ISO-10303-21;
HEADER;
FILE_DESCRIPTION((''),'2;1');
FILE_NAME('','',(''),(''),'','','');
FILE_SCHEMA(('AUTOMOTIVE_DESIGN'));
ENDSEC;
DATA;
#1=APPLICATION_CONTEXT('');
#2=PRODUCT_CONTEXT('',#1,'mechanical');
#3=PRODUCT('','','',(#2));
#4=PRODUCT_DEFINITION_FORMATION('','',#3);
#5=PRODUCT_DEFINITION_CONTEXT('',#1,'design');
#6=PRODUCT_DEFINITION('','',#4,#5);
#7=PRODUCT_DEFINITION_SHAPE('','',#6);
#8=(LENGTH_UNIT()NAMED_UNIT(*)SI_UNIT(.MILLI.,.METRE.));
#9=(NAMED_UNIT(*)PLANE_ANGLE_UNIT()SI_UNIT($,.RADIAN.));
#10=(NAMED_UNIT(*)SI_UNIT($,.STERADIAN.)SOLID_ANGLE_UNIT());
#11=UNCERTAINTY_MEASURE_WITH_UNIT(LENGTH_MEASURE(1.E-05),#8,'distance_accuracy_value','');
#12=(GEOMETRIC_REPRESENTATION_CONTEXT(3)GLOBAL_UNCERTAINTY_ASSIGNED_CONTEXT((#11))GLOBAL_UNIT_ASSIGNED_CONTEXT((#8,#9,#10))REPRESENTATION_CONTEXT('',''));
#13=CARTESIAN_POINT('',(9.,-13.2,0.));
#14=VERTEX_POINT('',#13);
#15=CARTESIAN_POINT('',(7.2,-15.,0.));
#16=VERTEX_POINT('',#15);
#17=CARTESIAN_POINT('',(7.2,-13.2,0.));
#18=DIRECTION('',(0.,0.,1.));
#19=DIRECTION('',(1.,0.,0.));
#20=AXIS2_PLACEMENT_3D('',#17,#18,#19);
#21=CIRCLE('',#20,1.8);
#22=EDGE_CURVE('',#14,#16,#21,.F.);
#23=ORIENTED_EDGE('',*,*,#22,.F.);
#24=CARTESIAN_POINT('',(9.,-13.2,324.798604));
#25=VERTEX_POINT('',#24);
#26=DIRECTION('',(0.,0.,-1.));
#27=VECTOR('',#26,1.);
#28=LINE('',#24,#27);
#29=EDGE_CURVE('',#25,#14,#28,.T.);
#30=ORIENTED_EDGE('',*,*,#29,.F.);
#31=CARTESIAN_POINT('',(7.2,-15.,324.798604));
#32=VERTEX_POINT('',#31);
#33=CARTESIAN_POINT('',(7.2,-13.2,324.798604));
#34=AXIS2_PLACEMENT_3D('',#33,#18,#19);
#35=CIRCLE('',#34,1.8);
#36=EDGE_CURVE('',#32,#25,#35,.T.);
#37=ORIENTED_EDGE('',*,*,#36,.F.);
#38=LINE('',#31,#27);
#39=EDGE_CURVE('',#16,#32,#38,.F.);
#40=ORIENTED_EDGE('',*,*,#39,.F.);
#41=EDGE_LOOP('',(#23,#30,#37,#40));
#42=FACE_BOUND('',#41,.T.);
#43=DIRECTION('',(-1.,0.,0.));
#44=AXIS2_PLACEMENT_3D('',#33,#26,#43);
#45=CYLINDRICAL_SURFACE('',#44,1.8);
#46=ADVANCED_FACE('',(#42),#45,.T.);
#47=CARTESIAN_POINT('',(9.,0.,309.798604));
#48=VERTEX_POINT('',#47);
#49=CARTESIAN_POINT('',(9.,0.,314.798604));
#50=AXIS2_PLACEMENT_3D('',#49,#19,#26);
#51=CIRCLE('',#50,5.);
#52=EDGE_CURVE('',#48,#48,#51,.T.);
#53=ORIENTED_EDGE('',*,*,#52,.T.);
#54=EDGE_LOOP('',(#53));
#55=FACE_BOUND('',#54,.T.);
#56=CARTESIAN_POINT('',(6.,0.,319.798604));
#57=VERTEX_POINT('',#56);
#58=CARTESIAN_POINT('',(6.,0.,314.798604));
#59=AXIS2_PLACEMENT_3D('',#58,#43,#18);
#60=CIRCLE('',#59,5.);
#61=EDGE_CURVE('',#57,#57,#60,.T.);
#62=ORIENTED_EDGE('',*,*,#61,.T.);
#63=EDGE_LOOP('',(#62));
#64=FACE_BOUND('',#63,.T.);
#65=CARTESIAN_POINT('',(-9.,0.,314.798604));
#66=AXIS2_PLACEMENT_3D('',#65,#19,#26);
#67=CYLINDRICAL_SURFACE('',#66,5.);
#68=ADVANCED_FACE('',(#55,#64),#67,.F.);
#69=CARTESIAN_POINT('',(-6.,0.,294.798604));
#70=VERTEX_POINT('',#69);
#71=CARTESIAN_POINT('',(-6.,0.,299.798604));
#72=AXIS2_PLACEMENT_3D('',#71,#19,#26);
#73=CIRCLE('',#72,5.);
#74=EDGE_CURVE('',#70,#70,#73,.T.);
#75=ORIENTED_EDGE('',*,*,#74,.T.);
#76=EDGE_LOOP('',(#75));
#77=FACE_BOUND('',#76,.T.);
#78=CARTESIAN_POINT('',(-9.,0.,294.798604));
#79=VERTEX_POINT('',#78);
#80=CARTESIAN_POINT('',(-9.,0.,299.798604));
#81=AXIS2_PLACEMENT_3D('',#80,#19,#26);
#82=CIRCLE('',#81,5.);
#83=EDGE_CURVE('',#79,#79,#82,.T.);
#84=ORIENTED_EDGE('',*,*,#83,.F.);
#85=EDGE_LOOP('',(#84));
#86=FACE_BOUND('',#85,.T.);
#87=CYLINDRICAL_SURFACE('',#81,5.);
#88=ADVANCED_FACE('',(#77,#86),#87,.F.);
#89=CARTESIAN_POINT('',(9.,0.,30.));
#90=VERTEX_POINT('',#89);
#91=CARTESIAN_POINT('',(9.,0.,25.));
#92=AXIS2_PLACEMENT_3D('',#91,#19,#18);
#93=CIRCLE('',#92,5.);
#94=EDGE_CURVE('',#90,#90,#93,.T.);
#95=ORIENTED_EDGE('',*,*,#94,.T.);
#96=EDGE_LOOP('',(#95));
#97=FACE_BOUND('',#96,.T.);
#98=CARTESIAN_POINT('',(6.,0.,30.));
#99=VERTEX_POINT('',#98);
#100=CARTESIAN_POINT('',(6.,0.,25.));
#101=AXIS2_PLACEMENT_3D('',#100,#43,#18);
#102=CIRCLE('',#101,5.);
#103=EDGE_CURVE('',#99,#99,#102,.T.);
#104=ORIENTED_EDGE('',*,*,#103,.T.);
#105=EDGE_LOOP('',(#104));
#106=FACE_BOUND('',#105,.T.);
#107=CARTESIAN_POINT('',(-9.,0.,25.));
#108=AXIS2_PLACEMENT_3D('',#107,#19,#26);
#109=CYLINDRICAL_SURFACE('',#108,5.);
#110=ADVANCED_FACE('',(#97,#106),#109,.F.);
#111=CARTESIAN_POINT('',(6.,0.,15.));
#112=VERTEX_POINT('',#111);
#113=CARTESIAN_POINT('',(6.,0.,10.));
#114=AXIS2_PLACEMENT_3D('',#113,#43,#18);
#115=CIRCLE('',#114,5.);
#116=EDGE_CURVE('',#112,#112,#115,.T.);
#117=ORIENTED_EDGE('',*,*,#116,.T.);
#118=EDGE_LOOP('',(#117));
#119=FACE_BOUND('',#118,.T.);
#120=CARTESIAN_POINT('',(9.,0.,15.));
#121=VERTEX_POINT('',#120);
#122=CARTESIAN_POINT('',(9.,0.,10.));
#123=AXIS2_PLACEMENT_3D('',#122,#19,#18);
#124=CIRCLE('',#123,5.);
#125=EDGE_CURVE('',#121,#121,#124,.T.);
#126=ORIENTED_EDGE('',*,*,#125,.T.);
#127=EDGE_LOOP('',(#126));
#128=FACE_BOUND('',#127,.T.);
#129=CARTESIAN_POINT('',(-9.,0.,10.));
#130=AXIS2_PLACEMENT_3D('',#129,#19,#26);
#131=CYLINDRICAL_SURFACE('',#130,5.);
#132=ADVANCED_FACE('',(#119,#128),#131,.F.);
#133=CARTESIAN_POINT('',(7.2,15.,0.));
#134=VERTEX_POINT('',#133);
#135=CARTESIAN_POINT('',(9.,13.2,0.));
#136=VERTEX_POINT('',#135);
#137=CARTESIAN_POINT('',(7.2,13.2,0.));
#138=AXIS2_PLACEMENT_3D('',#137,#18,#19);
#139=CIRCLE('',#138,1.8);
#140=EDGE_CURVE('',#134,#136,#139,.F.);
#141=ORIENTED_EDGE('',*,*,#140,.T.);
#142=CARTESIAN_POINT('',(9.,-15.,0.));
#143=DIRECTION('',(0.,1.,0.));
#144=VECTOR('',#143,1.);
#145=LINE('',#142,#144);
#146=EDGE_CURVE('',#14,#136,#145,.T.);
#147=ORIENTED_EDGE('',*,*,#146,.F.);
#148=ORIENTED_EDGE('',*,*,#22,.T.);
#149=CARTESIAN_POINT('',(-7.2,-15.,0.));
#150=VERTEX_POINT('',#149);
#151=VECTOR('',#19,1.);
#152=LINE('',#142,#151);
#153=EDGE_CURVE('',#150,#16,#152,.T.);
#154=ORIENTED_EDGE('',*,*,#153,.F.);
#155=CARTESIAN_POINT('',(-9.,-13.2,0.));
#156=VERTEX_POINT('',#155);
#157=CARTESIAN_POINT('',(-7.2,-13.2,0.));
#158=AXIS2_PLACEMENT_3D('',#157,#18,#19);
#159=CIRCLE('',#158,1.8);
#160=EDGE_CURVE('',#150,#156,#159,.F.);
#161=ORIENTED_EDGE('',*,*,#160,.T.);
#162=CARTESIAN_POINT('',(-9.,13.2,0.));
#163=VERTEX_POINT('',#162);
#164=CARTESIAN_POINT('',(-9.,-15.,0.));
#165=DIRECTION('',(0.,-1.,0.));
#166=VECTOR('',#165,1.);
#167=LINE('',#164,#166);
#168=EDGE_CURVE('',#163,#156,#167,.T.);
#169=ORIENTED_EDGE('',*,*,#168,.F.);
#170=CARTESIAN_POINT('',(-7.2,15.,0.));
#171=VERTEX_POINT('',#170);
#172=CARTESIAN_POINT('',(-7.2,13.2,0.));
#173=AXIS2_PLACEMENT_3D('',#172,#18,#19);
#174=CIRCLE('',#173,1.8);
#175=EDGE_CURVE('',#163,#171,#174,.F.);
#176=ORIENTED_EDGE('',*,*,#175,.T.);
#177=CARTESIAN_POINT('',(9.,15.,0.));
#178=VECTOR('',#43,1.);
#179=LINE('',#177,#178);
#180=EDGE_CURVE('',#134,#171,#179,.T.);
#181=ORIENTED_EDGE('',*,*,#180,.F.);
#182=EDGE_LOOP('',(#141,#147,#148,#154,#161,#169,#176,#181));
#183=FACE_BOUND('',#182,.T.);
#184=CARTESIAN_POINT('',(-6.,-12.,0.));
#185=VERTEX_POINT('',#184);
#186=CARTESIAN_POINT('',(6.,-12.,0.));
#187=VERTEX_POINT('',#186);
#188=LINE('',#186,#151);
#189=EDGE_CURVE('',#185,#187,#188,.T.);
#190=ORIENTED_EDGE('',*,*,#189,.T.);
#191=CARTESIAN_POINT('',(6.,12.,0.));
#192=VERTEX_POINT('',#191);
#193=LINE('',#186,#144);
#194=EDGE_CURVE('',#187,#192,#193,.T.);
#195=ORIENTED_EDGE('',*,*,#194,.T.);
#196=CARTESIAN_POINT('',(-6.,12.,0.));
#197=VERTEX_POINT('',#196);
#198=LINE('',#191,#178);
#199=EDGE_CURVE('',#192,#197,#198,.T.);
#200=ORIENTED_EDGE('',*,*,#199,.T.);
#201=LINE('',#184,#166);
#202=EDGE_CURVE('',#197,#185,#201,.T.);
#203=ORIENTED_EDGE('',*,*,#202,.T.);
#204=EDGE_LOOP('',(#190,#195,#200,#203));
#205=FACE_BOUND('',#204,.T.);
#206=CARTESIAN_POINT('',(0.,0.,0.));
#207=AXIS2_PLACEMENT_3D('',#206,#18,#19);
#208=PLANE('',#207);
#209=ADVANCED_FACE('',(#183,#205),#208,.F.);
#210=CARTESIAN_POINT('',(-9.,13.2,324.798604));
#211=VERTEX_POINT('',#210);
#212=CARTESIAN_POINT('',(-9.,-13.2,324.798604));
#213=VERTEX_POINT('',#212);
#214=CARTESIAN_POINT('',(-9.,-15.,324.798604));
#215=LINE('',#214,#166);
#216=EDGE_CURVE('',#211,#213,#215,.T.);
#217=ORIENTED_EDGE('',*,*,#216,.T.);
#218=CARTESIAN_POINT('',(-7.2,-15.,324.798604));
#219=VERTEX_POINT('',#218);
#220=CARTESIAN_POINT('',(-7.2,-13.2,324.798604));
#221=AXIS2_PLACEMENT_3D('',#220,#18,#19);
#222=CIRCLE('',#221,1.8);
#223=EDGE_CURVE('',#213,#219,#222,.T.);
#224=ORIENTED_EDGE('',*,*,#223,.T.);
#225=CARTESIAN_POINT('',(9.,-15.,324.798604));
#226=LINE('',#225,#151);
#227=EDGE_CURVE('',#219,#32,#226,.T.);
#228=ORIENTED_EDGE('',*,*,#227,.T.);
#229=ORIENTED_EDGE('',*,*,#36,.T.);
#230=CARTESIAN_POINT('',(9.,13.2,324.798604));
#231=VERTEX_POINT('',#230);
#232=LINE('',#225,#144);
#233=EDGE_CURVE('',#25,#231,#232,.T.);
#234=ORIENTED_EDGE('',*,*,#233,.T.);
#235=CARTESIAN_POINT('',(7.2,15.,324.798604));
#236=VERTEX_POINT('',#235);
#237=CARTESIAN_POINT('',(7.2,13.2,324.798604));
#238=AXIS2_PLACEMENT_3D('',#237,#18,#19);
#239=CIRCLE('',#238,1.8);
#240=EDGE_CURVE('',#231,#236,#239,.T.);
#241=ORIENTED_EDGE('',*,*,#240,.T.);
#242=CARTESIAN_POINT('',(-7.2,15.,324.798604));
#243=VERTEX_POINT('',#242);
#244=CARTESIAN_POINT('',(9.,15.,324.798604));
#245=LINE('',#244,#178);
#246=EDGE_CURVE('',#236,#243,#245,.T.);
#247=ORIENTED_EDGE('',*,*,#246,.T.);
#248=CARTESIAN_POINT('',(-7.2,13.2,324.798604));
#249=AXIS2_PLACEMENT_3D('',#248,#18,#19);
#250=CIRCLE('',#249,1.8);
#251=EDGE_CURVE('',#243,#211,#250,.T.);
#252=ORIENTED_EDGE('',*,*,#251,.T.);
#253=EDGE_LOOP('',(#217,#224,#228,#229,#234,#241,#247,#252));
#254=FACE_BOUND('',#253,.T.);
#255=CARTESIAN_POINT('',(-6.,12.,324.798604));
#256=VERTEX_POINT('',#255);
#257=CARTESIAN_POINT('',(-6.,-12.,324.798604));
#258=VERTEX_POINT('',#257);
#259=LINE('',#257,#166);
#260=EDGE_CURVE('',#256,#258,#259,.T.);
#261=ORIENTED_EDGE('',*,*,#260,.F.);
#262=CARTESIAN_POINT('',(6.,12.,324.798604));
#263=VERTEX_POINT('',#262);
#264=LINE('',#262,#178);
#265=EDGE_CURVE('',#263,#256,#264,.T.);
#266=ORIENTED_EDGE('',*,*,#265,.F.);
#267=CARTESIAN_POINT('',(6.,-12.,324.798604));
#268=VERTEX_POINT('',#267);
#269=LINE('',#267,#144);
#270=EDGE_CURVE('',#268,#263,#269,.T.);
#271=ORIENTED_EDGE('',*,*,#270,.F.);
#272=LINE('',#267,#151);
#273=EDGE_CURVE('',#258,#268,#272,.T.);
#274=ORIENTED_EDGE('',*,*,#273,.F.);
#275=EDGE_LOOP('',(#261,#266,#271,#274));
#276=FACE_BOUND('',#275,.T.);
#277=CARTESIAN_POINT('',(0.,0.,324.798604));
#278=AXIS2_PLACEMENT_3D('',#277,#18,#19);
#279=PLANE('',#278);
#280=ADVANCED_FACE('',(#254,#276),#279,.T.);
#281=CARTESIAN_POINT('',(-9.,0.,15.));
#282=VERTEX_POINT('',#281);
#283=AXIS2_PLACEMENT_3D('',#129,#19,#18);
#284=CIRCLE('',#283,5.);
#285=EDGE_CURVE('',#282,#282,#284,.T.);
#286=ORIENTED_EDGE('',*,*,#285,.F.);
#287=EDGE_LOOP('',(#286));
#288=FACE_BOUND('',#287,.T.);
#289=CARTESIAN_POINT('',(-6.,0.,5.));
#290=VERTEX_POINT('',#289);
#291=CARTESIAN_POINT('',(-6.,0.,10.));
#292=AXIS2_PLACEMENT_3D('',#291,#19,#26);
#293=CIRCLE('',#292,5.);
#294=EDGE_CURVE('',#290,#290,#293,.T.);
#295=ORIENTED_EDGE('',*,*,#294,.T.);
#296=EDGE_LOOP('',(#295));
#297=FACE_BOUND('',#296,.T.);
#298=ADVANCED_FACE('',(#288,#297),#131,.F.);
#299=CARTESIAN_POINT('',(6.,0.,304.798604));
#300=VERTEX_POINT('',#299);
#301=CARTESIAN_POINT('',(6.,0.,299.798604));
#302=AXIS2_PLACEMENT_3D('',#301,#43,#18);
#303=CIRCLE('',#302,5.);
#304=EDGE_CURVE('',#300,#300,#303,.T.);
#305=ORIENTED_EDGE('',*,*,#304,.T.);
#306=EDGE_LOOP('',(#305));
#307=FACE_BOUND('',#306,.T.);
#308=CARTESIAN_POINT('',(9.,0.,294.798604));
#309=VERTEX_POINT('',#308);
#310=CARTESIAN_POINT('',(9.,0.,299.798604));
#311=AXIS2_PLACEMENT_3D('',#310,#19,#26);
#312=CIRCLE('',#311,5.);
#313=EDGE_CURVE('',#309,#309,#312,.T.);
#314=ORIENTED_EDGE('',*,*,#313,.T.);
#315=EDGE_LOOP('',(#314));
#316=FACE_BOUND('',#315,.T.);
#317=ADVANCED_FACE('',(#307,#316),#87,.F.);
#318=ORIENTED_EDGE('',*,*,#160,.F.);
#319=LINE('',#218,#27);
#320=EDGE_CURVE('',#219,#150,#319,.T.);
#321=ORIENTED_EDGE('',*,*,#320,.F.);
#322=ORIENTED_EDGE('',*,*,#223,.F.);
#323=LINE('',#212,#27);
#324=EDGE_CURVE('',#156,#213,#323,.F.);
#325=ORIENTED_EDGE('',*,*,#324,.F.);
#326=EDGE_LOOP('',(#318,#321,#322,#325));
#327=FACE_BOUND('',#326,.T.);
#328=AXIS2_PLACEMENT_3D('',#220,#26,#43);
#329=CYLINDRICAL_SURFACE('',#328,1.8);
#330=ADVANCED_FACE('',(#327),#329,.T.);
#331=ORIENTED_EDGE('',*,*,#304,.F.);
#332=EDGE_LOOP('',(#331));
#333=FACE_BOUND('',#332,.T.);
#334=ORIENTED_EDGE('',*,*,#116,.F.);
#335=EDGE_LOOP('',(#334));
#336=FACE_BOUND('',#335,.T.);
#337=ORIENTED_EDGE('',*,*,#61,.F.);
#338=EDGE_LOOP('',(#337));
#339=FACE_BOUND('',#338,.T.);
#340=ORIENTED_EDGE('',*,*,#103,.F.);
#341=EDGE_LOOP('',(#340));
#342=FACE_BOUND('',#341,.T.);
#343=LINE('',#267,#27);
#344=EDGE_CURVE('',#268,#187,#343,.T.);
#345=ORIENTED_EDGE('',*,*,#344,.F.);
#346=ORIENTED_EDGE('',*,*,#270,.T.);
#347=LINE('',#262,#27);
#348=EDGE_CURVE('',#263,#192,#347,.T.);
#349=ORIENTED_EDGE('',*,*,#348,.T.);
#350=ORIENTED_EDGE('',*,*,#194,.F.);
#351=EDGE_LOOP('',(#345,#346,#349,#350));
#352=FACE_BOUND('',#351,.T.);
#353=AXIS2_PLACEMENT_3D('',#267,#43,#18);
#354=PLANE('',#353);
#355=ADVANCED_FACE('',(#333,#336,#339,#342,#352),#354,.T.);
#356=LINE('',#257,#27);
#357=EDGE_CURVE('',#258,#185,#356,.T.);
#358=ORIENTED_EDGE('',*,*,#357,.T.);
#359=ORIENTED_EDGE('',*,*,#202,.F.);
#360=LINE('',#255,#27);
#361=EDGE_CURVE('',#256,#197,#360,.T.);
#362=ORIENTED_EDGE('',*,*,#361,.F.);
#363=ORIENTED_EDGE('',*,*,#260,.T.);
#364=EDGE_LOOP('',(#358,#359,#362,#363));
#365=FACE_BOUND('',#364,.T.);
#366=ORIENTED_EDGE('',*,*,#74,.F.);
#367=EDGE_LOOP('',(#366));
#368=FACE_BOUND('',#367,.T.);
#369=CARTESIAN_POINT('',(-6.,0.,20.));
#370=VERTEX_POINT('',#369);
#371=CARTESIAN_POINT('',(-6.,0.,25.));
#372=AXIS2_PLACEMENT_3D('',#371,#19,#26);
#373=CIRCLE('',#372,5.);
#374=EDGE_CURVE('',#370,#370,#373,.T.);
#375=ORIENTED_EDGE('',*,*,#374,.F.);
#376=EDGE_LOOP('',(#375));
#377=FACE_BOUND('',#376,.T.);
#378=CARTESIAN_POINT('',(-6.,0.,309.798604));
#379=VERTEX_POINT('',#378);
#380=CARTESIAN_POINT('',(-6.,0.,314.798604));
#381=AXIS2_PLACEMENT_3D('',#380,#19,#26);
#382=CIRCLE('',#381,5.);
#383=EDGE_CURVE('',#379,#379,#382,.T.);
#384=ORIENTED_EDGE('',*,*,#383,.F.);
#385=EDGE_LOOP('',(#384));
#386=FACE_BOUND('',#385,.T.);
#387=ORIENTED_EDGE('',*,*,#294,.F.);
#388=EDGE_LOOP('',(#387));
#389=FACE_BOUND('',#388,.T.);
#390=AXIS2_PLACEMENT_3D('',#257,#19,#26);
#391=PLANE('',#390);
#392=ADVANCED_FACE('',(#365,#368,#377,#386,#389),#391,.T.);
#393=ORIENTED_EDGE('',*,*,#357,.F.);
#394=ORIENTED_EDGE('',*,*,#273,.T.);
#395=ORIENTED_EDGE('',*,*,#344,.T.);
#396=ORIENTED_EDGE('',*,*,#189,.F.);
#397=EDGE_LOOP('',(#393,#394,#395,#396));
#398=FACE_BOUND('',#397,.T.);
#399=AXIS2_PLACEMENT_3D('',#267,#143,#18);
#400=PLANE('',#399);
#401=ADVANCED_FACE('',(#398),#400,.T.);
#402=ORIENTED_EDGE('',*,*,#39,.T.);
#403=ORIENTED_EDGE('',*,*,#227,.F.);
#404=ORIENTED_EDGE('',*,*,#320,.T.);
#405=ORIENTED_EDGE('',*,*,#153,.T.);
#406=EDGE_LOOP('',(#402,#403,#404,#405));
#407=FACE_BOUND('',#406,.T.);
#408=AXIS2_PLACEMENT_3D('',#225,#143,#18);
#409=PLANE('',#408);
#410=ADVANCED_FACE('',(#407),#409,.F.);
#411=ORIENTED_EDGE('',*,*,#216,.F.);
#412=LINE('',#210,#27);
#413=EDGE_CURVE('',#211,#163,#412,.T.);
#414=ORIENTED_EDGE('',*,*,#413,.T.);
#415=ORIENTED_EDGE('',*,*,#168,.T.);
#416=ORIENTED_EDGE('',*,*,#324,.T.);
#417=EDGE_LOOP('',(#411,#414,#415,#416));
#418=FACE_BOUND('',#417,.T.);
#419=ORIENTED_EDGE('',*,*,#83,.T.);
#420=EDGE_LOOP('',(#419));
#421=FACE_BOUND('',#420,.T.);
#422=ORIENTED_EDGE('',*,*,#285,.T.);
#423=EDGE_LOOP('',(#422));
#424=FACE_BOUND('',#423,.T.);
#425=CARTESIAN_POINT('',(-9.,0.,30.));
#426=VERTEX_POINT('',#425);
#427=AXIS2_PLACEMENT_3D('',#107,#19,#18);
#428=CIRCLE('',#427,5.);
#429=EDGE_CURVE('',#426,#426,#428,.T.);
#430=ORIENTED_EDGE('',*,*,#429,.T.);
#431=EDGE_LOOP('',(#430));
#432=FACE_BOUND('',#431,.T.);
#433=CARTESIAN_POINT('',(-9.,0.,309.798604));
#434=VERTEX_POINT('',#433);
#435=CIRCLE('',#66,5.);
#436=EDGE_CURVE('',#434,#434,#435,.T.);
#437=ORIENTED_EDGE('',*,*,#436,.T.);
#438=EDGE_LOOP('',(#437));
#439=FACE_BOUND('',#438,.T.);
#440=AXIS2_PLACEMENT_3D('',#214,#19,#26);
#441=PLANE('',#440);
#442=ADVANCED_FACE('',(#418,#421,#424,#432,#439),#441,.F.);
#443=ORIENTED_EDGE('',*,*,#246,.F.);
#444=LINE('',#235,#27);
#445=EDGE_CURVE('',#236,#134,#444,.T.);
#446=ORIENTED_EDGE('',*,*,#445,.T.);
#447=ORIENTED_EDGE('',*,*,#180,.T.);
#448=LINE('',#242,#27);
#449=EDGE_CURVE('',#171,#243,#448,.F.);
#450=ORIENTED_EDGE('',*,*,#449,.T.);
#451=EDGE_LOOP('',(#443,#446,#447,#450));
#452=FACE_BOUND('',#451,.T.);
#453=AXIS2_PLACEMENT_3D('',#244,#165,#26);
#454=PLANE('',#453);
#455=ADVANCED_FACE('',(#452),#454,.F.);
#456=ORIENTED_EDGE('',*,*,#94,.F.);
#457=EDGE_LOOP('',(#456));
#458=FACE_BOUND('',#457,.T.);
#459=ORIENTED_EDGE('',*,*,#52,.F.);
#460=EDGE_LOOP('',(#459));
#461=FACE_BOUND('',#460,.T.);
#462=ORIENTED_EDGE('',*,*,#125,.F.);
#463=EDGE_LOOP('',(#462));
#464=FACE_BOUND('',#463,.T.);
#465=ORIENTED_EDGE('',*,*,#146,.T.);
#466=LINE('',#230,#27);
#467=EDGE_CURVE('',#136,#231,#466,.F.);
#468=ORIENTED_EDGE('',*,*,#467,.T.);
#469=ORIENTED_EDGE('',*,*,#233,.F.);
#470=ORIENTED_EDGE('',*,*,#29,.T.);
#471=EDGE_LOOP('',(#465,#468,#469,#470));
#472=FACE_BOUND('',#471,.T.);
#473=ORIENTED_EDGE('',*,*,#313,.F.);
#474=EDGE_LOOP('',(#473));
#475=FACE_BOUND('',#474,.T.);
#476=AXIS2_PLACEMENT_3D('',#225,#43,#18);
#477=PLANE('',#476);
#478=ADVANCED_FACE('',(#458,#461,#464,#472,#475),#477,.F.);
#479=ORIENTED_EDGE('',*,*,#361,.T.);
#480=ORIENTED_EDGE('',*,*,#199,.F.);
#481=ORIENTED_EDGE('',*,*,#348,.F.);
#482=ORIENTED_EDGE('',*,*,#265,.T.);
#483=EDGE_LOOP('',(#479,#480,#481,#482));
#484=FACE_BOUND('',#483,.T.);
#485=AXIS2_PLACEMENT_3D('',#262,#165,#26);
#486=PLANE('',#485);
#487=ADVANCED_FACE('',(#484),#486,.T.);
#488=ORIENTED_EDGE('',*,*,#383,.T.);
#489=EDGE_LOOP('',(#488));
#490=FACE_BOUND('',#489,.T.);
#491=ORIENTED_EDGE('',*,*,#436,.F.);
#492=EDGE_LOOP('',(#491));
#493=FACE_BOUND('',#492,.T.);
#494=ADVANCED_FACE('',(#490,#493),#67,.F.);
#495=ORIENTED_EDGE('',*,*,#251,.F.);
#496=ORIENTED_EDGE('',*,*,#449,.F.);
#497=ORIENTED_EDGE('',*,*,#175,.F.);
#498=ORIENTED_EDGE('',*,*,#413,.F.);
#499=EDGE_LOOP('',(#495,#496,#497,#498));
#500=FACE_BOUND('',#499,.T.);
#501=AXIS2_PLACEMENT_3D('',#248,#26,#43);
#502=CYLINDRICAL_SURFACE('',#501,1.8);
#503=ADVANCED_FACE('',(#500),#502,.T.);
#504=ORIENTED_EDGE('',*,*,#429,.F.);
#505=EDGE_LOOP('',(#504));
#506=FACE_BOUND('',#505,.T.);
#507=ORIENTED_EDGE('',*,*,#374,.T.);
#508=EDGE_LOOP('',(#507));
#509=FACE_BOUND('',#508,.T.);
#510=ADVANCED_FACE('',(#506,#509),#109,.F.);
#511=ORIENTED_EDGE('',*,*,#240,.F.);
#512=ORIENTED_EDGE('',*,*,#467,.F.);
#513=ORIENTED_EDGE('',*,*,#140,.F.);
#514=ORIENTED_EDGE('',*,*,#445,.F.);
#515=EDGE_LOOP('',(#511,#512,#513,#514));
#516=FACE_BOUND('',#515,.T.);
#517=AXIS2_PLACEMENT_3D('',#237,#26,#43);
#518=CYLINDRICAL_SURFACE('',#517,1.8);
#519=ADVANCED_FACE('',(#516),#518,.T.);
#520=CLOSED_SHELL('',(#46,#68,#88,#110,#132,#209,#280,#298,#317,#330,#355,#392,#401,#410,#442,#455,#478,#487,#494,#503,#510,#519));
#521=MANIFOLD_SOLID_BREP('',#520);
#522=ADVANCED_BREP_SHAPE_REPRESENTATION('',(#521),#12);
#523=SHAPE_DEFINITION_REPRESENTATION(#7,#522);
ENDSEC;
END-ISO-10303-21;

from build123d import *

# Parameters (mm, degrees)
SKETCH1_W         = 18
SKETCH1_H         = 30
SKETCH1_W_2       = 12
SKETCH1_H_2       = 24
BODY_DEPTH        = 324.79860434
SKETCH2_R         = 5
MOUNT_HOLES_DEPTH = 326.642646748
CORNER_FILLETS_R  = 1.8


with BuildPart() as part:
    # Sketch1 → Body (new body)
    with BuildSketch(Plane.XY):
        Rectangle(SKETCH1_W, SKETCH1_H)
        Rectangle(SKETCH1_W_2, SKETCH1_H_2, mode=Mode.SUBTRACT)
    extrude(amount=BODY_DEPTH)

    # Sketch2 → Mount Holes (cut, through all)
    with BuildSketch(Plane(origin=(9, 0, 0), x_dir=(0, 0, -1), z_dir=(1, 0, 0))):
        with Locations((-314.79860434, 0)):
            Circle(SKETCH2_R)
        with Locations((-299.79860434, 0)):
            Circle(SKETCH2_R)
        with Locations(Location((-25, 0, 0), (0, 0, 180))):
            Circle(SKETCH2_R)
        with Locations(Location((-10, 0, 0), (0, 0, 180))):
            Circle(SKETCH2_R)
    extrude(amount=-MOUNT_HOLES_DEPTH, mode=Mode.SUBTRACT)

    # Corner Fillets
    corner_fillets_edges = [part.edges().sort_by_distance(p)[0] for p in [
        (-9, 15, 162.39930217),
        (9, 15, 162.39930217),
        (9, -15, 162.39930217),
        (-9, -15, 162.39930217),
    ]]
    fillet(corner_fillets_edges, radius=CORNER_FILLETS_R)


solid = part.part
